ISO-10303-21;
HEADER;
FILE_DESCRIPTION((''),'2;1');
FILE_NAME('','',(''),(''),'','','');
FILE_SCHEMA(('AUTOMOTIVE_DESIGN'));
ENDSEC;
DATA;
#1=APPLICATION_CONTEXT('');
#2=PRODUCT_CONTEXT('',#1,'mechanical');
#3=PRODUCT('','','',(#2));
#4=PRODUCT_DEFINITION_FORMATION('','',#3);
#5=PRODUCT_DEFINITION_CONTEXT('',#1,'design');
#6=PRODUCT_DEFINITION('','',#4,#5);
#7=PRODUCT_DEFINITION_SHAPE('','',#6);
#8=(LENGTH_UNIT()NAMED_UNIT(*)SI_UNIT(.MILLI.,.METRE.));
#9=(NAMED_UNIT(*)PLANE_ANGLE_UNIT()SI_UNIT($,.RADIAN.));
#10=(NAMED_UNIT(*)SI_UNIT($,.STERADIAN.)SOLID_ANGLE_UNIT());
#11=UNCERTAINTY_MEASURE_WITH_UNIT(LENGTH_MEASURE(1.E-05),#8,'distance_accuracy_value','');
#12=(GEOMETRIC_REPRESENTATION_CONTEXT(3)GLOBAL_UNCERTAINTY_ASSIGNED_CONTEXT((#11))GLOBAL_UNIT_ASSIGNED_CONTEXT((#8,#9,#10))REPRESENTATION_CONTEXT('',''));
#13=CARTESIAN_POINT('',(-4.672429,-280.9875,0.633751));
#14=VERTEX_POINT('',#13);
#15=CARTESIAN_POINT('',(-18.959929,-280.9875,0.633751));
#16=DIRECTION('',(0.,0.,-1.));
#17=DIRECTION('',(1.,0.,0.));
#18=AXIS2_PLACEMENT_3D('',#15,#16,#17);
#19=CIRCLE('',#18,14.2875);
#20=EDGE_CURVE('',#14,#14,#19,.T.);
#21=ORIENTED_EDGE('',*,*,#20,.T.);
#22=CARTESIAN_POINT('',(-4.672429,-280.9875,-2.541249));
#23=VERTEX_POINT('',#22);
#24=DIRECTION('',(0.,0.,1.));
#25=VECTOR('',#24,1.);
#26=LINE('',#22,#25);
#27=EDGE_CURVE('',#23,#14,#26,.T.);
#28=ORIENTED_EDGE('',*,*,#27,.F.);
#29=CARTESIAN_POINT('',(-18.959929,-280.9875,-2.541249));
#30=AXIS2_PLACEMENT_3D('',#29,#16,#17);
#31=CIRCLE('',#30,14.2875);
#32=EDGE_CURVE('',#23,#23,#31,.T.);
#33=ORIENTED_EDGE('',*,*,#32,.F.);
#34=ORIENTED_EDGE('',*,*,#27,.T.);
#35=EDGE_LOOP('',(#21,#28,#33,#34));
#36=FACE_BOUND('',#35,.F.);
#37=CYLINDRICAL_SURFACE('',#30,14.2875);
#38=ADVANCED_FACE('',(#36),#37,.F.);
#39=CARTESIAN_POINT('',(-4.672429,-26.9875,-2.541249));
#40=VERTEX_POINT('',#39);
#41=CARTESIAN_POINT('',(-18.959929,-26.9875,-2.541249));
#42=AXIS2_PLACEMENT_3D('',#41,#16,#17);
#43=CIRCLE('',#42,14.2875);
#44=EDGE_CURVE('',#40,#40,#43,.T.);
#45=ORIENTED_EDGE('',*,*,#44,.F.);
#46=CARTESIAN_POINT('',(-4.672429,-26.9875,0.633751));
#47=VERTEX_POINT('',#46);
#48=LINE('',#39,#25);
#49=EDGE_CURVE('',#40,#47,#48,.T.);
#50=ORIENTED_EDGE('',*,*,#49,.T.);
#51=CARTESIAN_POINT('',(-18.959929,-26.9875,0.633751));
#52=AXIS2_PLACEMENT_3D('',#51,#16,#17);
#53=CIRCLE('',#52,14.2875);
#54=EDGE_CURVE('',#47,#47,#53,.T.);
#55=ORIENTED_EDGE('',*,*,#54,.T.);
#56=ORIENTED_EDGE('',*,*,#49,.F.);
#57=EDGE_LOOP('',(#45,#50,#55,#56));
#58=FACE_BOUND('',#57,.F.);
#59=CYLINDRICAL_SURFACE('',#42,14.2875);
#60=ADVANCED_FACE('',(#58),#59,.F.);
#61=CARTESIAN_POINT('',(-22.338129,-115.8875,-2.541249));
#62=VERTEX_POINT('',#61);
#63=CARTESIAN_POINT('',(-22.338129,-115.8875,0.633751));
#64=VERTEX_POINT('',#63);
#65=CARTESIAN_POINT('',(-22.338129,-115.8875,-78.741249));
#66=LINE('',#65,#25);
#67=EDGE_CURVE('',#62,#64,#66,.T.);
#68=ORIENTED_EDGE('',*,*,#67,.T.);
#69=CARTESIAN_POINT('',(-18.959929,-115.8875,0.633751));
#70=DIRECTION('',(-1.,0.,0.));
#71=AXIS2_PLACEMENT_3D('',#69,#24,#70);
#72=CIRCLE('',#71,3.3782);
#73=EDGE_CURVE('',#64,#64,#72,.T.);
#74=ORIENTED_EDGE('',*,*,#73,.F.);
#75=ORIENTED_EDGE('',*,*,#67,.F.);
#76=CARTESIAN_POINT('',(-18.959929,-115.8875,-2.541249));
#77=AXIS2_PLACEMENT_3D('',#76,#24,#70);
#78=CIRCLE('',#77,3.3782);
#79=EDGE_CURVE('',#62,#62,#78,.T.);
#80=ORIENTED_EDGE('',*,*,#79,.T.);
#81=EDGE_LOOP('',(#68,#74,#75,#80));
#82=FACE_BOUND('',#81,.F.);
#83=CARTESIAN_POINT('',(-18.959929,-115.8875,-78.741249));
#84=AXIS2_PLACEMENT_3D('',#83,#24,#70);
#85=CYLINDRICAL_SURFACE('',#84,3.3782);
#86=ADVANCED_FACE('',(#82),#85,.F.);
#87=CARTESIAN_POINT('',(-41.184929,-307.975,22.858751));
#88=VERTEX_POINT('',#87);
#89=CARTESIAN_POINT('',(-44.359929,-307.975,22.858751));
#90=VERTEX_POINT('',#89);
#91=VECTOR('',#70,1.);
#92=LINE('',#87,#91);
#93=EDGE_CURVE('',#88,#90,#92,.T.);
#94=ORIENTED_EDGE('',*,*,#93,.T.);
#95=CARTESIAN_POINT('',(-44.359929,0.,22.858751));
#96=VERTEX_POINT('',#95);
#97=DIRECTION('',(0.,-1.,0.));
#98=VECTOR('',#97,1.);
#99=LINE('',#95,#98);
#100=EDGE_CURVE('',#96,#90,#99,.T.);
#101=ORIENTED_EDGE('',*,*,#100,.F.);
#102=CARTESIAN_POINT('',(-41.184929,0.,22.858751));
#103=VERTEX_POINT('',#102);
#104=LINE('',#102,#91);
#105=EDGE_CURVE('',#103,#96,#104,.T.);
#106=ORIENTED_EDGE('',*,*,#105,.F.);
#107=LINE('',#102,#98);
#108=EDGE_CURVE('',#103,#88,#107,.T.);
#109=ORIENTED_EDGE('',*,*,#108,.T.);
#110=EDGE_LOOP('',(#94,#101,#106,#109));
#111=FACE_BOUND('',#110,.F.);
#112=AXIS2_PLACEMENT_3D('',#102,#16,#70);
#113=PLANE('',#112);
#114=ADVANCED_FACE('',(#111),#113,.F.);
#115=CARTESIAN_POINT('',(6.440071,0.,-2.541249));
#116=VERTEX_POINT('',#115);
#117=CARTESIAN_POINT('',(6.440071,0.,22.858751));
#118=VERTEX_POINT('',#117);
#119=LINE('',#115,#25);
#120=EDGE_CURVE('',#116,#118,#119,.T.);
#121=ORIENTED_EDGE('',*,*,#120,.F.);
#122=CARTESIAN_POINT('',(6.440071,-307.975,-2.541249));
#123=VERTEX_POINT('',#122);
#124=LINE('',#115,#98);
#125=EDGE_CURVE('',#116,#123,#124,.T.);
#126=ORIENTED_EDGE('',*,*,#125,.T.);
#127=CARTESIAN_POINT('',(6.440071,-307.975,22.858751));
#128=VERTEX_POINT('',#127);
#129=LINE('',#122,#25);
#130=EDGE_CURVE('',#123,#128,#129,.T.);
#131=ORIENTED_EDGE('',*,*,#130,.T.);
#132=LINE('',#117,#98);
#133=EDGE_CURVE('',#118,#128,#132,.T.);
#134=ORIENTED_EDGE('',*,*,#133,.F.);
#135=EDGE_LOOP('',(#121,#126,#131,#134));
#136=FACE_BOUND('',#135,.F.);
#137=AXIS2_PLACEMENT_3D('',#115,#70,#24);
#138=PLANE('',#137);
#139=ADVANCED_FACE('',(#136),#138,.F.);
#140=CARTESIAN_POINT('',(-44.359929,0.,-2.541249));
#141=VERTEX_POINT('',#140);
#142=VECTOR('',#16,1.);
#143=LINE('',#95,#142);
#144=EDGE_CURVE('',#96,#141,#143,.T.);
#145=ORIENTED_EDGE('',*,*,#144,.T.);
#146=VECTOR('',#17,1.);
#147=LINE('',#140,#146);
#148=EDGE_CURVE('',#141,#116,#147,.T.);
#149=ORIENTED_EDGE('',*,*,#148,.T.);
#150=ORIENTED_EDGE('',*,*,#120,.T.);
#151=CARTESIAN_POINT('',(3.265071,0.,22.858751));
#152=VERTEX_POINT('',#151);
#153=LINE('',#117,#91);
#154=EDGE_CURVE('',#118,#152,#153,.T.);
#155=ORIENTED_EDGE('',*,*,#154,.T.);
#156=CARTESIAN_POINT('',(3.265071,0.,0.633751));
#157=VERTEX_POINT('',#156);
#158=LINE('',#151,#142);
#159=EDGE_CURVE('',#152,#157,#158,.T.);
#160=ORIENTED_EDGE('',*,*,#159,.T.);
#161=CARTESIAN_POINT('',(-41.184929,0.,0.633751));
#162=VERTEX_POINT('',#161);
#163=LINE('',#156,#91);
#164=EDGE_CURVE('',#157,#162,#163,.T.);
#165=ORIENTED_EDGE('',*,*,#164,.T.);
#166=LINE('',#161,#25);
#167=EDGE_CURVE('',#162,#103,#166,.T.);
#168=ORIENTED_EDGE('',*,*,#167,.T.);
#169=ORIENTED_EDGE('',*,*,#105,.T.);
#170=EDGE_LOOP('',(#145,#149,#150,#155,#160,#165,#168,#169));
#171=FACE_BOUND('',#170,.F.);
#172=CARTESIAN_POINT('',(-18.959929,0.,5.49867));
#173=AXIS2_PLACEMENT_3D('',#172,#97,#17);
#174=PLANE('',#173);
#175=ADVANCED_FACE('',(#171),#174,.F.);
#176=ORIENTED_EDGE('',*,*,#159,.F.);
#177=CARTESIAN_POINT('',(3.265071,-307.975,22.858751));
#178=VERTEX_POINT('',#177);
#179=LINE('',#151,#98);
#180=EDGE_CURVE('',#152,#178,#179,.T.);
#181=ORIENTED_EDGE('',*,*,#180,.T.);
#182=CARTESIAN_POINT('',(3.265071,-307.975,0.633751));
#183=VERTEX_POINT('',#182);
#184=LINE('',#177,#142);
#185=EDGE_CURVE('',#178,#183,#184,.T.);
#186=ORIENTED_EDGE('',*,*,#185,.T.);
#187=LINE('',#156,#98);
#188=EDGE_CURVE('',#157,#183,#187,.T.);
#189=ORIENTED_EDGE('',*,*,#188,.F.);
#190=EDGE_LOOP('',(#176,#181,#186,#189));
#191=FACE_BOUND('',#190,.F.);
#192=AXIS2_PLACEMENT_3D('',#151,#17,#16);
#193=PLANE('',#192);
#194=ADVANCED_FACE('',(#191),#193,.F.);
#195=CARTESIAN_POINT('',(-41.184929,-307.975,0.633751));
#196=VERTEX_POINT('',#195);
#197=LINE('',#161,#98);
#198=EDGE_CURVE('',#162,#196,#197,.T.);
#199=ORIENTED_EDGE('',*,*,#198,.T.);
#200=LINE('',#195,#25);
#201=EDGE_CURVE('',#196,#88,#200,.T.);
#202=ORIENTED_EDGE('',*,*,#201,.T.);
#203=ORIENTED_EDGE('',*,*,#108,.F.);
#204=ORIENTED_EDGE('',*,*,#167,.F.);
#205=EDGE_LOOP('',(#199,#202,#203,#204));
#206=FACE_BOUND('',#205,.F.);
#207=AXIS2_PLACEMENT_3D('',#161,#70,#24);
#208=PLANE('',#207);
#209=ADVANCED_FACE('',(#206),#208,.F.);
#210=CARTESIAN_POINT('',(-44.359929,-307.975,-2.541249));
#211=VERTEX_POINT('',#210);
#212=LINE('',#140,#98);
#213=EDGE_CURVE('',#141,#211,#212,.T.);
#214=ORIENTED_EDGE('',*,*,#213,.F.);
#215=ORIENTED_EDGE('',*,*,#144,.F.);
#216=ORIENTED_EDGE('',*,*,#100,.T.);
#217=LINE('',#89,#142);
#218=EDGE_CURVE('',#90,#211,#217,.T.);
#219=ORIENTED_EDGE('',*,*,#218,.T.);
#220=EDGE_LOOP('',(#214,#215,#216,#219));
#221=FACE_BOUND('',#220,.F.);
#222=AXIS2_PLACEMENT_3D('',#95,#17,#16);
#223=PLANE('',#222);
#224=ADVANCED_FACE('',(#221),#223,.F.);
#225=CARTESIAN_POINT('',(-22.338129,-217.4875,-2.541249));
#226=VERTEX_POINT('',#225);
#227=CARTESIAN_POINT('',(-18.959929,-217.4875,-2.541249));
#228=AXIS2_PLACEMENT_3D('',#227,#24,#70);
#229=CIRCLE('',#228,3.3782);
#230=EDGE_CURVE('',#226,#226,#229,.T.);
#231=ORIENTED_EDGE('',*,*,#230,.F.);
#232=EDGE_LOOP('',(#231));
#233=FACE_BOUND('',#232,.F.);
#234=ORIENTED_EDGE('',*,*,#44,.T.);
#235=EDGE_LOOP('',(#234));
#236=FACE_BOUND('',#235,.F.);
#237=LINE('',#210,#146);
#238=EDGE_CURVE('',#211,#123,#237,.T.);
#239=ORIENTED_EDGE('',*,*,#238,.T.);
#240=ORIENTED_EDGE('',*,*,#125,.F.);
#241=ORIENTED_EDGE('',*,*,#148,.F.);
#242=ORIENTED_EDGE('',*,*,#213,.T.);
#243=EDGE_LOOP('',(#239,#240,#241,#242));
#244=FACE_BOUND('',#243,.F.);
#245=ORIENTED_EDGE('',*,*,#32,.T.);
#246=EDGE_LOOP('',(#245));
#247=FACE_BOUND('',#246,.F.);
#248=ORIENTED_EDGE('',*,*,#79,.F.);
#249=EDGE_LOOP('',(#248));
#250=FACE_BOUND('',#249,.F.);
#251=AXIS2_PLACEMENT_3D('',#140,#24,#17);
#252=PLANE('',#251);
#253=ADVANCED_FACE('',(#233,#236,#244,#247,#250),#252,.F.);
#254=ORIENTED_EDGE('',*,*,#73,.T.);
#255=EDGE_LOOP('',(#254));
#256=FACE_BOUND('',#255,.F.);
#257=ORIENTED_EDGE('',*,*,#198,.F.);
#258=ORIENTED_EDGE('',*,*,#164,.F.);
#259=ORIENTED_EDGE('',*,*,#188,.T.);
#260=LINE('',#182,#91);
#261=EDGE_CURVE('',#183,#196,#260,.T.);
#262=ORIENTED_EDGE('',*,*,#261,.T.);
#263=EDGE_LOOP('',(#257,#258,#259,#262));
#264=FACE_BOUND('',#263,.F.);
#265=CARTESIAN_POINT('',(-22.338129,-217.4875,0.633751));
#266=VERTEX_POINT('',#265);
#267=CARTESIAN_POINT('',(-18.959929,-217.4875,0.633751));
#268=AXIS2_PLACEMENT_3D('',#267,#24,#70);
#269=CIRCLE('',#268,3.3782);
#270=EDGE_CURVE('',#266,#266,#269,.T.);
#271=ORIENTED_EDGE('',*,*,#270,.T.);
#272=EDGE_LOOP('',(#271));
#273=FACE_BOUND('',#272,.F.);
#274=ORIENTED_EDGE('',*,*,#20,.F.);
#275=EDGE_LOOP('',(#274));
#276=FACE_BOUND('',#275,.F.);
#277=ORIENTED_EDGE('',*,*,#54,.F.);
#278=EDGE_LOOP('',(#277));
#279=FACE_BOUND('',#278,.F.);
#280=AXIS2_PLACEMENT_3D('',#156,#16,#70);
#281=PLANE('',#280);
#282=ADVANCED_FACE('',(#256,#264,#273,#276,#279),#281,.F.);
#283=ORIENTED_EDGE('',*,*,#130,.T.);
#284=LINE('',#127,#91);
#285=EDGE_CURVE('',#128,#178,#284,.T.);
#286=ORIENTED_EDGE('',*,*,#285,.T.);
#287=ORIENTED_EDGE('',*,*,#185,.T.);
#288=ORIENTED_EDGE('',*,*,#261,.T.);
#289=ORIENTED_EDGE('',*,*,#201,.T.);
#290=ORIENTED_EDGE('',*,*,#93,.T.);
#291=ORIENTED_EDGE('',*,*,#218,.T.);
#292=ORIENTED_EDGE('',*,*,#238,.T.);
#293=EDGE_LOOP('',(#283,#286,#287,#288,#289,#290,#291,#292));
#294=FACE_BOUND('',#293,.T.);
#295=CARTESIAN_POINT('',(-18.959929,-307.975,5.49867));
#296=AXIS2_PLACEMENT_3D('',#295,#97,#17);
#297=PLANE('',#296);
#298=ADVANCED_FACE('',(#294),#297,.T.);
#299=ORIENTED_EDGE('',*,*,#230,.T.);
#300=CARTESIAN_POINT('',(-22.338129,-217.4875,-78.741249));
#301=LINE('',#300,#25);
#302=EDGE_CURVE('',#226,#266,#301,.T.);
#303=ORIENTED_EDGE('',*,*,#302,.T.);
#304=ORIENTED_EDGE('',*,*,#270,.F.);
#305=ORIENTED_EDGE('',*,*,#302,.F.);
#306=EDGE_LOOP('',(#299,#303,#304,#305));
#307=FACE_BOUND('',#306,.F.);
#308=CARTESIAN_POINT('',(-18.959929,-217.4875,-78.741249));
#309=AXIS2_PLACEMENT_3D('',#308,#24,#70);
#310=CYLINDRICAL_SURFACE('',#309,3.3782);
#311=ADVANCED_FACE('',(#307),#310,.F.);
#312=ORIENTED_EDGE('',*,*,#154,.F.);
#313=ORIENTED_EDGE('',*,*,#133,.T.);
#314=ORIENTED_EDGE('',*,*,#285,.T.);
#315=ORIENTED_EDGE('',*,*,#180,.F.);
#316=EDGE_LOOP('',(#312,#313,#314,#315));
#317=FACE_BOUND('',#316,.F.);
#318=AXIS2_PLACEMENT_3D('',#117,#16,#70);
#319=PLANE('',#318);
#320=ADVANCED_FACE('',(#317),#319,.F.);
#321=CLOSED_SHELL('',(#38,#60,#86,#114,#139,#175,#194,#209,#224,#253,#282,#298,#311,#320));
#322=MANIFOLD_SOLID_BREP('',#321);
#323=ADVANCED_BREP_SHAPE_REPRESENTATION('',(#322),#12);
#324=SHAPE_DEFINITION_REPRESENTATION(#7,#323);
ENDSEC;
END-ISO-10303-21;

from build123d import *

# Parameters (mm, degrees)
F1_DEPTH = 307.975
F2_R     = 14.2875
F3_DEPTH = 25.4
F4_D     = 6.7564
F4_DEPTH = 76.2
F4_TIP   = 2.0298273432


with BuildPart() as f1:
    # F0 (on Front) → F1 (new body)
    with BuildSketch(Plane.XZ):
        Polygon((-41.1849285887, 22.8587505986), (-44.3599285887, 22.8587505986), (-44.3599285887, -2.5412494014), (6.4400714113, -2.5412494014), (6.4400714113, 22.8587505986), (3.2650714113, 22.8587505986), (3.2650714113, 0.6337505986), (-41.1849285887, 0.6337505986), align=None)
    extrude(amount=F1_DEPTH)

    # F2 (on face) → F3 (cut)
    with BuildSketch(Plane(origin=(0, 0, -2.5412494014), x_dir=(1, 0, 0), z_dir=(0, 0, -1))):
        with Locations((-18.9599285887, 280.9875)):
            Circle(F2_R)
        with Locations((-18.9599285887, 26.9875)):
            Circle(F2_R)
    extrude(amount=-F3_DEPTH, mode=Mode.SUBTRACT)

    # F4
    with Locations(Plane(origin=(0, 0, -2.5412494014), x_dir=(1, 0, 0), z_dir=(0, 0, -1))):
        with Locations((-18.9599285887, 217.4875), (-18.9599285887, 115.8875)):
            Hole(F4_D / 2, depth=F4_DEPTH)
            with Locations((0, 0, -(F4_DEPTH + F4_TIP / 2))):  # 118° drill point
                Cone(0, F4_D / 2, F4_TIP, mode=Mode.SUBTRACT)


solid = f1.part
